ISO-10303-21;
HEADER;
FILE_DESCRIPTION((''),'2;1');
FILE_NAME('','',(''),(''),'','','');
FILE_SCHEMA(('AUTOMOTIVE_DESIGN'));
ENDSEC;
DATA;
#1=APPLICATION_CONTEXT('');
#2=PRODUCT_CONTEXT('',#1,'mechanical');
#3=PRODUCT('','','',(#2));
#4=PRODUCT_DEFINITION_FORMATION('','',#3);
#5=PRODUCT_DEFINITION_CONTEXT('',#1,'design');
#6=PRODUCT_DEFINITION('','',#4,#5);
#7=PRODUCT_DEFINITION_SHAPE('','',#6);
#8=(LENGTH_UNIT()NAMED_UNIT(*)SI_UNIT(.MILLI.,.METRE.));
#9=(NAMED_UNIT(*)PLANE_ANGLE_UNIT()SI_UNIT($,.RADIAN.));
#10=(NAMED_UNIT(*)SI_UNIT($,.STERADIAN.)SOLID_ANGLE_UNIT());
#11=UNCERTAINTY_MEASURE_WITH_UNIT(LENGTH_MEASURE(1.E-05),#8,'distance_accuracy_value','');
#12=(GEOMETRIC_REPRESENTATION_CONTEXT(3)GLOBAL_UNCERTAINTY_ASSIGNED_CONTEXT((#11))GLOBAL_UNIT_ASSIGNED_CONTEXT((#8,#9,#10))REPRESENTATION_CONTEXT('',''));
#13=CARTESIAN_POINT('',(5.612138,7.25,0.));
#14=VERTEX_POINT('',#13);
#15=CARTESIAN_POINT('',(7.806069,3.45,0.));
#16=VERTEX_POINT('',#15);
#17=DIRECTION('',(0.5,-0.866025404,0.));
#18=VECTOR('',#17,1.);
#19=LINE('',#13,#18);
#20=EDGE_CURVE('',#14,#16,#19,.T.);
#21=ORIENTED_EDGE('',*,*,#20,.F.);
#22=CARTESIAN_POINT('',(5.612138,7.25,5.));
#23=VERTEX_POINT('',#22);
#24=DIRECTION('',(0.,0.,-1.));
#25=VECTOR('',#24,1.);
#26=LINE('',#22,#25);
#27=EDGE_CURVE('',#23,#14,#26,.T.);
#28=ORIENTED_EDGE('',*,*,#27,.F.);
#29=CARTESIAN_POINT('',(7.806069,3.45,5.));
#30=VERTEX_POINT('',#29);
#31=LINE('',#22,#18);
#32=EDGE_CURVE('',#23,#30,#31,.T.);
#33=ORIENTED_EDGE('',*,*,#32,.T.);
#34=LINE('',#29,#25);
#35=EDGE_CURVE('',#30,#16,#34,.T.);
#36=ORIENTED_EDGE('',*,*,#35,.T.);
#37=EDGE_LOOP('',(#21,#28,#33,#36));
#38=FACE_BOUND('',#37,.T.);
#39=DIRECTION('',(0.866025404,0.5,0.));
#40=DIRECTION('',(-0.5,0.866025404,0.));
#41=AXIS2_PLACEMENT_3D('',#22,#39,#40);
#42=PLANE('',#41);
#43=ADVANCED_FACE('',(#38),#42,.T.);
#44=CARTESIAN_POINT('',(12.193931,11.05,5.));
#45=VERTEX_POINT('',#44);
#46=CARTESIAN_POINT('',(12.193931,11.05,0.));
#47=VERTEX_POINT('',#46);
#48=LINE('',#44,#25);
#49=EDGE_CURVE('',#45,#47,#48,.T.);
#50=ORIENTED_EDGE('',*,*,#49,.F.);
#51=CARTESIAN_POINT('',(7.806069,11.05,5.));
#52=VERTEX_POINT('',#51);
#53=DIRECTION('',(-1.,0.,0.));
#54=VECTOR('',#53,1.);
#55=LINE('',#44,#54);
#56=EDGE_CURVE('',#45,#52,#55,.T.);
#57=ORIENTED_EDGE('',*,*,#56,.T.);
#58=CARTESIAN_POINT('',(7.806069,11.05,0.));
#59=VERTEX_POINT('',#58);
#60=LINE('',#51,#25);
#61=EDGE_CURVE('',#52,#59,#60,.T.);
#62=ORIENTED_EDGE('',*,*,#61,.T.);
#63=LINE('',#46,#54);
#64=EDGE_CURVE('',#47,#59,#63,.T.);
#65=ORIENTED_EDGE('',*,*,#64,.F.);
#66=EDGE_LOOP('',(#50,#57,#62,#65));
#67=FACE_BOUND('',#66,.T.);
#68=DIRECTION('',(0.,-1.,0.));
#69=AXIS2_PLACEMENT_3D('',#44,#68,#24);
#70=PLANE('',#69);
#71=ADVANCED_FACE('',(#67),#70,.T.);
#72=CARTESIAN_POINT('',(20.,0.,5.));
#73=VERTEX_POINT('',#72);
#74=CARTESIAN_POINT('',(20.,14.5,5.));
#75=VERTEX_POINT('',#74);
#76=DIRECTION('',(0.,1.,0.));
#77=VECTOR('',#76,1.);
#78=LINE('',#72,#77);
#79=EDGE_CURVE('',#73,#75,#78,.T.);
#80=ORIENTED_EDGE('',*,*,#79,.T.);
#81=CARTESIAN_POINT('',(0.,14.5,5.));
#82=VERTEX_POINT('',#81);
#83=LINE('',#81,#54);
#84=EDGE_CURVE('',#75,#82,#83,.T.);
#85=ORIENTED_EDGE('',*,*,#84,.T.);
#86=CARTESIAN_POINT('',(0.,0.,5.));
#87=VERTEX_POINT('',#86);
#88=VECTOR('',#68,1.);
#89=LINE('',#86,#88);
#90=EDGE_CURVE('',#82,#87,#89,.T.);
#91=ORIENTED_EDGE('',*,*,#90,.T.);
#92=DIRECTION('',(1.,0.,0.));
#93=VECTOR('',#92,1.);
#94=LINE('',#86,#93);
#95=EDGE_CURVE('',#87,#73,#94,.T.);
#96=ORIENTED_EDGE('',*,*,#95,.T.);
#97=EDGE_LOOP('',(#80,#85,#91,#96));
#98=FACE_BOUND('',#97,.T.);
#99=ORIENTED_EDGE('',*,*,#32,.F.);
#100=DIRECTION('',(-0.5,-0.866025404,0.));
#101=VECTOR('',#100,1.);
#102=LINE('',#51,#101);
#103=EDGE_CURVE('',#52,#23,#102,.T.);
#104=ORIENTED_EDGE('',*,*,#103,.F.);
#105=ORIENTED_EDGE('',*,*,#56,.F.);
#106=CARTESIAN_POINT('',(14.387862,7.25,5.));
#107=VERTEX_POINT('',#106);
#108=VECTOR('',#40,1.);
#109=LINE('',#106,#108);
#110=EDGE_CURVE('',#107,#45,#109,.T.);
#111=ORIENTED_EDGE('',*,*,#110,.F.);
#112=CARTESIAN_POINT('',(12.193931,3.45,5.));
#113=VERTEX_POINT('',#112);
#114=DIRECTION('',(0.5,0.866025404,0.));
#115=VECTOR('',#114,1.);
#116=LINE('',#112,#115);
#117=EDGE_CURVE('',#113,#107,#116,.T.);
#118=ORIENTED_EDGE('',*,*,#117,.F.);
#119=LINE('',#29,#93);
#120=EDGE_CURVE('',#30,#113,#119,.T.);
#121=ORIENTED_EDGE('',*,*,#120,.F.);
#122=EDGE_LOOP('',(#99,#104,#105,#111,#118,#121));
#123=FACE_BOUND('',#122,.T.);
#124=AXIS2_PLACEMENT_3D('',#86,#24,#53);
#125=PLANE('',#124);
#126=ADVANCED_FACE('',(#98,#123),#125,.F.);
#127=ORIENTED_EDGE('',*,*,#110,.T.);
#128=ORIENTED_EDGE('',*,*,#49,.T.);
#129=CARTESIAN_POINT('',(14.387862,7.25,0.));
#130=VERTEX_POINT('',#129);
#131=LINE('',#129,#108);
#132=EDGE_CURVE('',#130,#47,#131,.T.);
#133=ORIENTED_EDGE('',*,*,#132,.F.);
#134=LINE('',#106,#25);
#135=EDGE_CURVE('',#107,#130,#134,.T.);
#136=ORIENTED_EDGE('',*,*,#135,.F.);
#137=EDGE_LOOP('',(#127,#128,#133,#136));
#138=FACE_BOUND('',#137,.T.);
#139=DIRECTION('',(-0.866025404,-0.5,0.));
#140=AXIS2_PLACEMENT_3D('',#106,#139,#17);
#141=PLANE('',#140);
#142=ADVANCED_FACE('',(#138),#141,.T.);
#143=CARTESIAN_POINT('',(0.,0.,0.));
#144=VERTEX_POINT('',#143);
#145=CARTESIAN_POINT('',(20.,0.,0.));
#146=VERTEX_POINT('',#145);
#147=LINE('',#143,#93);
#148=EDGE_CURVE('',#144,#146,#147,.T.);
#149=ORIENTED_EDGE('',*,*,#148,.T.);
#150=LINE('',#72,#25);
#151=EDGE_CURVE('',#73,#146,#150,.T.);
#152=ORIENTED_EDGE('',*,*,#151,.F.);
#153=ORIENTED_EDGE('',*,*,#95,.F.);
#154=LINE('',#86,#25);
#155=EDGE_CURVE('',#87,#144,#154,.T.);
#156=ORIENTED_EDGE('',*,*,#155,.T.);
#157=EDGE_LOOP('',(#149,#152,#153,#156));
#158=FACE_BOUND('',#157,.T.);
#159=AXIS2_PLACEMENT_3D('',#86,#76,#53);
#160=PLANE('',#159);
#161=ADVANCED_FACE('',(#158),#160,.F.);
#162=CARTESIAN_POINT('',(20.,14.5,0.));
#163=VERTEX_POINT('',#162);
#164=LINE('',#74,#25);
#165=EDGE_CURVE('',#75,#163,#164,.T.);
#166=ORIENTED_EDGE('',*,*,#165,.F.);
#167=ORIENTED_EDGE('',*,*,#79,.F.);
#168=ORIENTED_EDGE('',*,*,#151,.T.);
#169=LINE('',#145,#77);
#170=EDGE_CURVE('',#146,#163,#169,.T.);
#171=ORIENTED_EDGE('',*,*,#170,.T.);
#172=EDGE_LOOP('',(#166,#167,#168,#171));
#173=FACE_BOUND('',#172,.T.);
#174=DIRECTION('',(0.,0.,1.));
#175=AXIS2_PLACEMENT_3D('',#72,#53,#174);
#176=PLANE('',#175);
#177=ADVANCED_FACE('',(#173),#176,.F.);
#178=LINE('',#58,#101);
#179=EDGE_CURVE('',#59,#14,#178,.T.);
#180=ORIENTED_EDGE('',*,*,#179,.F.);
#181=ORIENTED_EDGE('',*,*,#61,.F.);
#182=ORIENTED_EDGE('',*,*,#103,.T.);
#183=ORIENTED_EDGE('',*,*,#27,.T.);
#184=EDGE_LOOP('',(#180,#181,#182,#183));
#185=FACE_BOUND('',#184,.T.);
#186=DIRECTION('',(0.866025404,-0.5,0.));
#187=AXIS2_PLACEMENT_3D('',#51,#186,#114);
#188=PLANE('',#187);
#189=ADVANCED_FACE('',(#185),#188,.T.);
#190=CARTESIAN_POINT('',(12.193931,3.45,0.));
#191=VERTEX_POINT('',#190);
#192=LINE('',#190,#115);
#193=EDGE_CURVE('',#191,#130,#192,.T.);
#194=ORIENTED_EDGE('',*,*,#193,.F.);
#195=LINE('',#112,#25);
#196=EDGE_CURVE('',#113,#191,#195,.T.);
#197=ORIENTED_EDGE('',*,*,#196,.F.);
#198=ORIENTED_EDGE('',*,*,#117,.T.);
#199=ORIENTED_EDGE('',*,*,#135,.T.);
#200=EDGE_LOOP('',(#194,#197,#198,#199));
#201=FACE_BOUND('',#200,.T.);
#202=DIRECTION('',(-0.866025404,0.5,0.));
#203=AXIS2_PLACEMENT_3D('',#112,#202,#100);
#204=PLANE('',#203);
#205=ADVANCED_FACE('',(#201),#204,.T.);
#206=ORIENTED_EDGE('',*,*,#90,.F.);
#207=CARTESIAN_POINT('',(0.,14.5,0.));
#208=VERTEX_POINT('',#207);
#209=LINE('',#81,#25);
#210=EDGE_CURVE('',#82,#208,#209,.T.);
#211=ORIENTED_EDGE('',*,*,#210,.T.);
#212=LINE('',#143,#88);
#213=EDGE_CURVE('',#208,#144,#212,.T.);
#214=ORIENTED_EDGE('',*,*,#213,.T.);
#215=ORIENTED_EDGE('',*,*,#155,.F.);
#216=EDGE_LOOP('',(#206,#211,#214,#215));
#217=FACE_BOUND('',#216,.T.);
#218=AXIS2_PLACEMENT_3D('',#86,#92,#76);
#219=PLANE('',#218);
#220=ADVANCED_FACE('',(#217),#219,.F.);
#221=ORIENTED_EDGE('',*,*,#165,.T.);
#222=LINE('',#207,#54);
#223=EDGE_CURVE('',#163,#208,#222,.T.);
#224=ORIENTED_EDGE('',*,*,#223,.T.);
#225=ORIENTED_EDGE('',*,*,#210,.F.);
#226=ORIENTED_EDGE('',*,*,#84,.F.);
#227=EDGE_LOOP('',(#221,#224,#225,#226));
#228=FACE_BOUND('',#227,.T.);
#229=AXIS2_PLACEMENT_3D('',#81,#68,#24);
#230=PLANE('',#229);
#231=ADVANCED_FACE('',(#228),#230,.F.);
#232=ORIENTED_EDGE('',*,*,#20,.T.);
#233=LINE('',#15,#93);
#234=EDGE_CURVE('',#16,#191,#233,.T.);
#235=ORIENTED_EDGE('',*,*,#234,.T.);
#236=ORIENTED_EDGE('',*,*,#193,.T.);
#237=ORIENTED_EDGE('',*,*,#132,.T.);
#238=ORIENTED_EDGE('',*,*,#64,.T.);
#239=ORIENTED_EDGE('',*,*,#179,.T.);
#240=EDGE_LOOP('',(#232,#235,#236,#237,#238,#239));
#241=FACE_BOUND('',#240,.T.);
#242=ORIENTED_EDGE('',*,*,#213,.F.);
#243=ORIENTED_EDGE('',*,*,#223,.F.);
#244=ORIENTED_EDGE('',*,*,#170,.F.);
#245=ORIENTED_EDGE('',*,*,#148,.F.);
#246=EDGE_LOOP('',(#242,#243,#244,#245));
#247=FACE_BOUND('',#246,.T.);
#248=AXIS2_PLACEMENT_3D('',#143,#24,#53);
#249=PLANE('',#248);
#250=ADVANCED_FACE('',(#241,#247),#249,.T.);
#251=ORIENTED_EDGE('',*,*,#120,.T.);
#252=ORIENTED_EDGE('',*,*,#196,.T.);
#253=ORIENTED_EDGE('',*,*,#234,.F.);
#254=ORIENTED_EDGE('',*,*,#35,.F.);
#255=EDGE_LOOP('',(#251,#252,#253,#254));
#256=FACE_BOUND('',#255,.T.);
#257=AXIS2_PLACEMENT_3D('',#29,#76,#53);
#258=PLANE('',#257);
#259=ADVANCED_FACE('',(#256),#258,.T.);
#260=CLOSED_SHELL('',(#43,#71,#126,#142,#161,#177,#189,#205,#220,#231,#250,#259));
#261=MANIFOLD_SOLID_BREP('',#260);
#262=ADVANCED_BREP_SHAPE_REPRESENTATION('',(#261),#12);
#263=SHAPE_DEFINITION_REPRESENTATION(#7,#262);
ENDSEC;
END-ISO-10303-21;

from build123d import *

# Parameters (mm, degrees)
ESQUISSE1_W        = 20
ESQUISSE1_H        = 14.5
BOSS_EXTRU_1_DEPTH = 5


with BuildPart() as part:
    # Esquisse1 → Boss.-Extru.1 (new body)
    with BuildSketch(Plane.XY):
        with Locations((10, 7.25)):
            Rectangle(ESQUISSE1_W, ESQUISSE1_H)
        Polygon((14.387862046, 7.25), (12.193931023, 11.05), (7.806068977, 11.05), (5.612137954, 7.25), (7.806068977, 3.45), (12.193931023, 3.45), align=None, mode=Mode.SUBTRACT)
    extrude(amount=BOSS_EXTRU_1_DEPTH)


solid = part.part
